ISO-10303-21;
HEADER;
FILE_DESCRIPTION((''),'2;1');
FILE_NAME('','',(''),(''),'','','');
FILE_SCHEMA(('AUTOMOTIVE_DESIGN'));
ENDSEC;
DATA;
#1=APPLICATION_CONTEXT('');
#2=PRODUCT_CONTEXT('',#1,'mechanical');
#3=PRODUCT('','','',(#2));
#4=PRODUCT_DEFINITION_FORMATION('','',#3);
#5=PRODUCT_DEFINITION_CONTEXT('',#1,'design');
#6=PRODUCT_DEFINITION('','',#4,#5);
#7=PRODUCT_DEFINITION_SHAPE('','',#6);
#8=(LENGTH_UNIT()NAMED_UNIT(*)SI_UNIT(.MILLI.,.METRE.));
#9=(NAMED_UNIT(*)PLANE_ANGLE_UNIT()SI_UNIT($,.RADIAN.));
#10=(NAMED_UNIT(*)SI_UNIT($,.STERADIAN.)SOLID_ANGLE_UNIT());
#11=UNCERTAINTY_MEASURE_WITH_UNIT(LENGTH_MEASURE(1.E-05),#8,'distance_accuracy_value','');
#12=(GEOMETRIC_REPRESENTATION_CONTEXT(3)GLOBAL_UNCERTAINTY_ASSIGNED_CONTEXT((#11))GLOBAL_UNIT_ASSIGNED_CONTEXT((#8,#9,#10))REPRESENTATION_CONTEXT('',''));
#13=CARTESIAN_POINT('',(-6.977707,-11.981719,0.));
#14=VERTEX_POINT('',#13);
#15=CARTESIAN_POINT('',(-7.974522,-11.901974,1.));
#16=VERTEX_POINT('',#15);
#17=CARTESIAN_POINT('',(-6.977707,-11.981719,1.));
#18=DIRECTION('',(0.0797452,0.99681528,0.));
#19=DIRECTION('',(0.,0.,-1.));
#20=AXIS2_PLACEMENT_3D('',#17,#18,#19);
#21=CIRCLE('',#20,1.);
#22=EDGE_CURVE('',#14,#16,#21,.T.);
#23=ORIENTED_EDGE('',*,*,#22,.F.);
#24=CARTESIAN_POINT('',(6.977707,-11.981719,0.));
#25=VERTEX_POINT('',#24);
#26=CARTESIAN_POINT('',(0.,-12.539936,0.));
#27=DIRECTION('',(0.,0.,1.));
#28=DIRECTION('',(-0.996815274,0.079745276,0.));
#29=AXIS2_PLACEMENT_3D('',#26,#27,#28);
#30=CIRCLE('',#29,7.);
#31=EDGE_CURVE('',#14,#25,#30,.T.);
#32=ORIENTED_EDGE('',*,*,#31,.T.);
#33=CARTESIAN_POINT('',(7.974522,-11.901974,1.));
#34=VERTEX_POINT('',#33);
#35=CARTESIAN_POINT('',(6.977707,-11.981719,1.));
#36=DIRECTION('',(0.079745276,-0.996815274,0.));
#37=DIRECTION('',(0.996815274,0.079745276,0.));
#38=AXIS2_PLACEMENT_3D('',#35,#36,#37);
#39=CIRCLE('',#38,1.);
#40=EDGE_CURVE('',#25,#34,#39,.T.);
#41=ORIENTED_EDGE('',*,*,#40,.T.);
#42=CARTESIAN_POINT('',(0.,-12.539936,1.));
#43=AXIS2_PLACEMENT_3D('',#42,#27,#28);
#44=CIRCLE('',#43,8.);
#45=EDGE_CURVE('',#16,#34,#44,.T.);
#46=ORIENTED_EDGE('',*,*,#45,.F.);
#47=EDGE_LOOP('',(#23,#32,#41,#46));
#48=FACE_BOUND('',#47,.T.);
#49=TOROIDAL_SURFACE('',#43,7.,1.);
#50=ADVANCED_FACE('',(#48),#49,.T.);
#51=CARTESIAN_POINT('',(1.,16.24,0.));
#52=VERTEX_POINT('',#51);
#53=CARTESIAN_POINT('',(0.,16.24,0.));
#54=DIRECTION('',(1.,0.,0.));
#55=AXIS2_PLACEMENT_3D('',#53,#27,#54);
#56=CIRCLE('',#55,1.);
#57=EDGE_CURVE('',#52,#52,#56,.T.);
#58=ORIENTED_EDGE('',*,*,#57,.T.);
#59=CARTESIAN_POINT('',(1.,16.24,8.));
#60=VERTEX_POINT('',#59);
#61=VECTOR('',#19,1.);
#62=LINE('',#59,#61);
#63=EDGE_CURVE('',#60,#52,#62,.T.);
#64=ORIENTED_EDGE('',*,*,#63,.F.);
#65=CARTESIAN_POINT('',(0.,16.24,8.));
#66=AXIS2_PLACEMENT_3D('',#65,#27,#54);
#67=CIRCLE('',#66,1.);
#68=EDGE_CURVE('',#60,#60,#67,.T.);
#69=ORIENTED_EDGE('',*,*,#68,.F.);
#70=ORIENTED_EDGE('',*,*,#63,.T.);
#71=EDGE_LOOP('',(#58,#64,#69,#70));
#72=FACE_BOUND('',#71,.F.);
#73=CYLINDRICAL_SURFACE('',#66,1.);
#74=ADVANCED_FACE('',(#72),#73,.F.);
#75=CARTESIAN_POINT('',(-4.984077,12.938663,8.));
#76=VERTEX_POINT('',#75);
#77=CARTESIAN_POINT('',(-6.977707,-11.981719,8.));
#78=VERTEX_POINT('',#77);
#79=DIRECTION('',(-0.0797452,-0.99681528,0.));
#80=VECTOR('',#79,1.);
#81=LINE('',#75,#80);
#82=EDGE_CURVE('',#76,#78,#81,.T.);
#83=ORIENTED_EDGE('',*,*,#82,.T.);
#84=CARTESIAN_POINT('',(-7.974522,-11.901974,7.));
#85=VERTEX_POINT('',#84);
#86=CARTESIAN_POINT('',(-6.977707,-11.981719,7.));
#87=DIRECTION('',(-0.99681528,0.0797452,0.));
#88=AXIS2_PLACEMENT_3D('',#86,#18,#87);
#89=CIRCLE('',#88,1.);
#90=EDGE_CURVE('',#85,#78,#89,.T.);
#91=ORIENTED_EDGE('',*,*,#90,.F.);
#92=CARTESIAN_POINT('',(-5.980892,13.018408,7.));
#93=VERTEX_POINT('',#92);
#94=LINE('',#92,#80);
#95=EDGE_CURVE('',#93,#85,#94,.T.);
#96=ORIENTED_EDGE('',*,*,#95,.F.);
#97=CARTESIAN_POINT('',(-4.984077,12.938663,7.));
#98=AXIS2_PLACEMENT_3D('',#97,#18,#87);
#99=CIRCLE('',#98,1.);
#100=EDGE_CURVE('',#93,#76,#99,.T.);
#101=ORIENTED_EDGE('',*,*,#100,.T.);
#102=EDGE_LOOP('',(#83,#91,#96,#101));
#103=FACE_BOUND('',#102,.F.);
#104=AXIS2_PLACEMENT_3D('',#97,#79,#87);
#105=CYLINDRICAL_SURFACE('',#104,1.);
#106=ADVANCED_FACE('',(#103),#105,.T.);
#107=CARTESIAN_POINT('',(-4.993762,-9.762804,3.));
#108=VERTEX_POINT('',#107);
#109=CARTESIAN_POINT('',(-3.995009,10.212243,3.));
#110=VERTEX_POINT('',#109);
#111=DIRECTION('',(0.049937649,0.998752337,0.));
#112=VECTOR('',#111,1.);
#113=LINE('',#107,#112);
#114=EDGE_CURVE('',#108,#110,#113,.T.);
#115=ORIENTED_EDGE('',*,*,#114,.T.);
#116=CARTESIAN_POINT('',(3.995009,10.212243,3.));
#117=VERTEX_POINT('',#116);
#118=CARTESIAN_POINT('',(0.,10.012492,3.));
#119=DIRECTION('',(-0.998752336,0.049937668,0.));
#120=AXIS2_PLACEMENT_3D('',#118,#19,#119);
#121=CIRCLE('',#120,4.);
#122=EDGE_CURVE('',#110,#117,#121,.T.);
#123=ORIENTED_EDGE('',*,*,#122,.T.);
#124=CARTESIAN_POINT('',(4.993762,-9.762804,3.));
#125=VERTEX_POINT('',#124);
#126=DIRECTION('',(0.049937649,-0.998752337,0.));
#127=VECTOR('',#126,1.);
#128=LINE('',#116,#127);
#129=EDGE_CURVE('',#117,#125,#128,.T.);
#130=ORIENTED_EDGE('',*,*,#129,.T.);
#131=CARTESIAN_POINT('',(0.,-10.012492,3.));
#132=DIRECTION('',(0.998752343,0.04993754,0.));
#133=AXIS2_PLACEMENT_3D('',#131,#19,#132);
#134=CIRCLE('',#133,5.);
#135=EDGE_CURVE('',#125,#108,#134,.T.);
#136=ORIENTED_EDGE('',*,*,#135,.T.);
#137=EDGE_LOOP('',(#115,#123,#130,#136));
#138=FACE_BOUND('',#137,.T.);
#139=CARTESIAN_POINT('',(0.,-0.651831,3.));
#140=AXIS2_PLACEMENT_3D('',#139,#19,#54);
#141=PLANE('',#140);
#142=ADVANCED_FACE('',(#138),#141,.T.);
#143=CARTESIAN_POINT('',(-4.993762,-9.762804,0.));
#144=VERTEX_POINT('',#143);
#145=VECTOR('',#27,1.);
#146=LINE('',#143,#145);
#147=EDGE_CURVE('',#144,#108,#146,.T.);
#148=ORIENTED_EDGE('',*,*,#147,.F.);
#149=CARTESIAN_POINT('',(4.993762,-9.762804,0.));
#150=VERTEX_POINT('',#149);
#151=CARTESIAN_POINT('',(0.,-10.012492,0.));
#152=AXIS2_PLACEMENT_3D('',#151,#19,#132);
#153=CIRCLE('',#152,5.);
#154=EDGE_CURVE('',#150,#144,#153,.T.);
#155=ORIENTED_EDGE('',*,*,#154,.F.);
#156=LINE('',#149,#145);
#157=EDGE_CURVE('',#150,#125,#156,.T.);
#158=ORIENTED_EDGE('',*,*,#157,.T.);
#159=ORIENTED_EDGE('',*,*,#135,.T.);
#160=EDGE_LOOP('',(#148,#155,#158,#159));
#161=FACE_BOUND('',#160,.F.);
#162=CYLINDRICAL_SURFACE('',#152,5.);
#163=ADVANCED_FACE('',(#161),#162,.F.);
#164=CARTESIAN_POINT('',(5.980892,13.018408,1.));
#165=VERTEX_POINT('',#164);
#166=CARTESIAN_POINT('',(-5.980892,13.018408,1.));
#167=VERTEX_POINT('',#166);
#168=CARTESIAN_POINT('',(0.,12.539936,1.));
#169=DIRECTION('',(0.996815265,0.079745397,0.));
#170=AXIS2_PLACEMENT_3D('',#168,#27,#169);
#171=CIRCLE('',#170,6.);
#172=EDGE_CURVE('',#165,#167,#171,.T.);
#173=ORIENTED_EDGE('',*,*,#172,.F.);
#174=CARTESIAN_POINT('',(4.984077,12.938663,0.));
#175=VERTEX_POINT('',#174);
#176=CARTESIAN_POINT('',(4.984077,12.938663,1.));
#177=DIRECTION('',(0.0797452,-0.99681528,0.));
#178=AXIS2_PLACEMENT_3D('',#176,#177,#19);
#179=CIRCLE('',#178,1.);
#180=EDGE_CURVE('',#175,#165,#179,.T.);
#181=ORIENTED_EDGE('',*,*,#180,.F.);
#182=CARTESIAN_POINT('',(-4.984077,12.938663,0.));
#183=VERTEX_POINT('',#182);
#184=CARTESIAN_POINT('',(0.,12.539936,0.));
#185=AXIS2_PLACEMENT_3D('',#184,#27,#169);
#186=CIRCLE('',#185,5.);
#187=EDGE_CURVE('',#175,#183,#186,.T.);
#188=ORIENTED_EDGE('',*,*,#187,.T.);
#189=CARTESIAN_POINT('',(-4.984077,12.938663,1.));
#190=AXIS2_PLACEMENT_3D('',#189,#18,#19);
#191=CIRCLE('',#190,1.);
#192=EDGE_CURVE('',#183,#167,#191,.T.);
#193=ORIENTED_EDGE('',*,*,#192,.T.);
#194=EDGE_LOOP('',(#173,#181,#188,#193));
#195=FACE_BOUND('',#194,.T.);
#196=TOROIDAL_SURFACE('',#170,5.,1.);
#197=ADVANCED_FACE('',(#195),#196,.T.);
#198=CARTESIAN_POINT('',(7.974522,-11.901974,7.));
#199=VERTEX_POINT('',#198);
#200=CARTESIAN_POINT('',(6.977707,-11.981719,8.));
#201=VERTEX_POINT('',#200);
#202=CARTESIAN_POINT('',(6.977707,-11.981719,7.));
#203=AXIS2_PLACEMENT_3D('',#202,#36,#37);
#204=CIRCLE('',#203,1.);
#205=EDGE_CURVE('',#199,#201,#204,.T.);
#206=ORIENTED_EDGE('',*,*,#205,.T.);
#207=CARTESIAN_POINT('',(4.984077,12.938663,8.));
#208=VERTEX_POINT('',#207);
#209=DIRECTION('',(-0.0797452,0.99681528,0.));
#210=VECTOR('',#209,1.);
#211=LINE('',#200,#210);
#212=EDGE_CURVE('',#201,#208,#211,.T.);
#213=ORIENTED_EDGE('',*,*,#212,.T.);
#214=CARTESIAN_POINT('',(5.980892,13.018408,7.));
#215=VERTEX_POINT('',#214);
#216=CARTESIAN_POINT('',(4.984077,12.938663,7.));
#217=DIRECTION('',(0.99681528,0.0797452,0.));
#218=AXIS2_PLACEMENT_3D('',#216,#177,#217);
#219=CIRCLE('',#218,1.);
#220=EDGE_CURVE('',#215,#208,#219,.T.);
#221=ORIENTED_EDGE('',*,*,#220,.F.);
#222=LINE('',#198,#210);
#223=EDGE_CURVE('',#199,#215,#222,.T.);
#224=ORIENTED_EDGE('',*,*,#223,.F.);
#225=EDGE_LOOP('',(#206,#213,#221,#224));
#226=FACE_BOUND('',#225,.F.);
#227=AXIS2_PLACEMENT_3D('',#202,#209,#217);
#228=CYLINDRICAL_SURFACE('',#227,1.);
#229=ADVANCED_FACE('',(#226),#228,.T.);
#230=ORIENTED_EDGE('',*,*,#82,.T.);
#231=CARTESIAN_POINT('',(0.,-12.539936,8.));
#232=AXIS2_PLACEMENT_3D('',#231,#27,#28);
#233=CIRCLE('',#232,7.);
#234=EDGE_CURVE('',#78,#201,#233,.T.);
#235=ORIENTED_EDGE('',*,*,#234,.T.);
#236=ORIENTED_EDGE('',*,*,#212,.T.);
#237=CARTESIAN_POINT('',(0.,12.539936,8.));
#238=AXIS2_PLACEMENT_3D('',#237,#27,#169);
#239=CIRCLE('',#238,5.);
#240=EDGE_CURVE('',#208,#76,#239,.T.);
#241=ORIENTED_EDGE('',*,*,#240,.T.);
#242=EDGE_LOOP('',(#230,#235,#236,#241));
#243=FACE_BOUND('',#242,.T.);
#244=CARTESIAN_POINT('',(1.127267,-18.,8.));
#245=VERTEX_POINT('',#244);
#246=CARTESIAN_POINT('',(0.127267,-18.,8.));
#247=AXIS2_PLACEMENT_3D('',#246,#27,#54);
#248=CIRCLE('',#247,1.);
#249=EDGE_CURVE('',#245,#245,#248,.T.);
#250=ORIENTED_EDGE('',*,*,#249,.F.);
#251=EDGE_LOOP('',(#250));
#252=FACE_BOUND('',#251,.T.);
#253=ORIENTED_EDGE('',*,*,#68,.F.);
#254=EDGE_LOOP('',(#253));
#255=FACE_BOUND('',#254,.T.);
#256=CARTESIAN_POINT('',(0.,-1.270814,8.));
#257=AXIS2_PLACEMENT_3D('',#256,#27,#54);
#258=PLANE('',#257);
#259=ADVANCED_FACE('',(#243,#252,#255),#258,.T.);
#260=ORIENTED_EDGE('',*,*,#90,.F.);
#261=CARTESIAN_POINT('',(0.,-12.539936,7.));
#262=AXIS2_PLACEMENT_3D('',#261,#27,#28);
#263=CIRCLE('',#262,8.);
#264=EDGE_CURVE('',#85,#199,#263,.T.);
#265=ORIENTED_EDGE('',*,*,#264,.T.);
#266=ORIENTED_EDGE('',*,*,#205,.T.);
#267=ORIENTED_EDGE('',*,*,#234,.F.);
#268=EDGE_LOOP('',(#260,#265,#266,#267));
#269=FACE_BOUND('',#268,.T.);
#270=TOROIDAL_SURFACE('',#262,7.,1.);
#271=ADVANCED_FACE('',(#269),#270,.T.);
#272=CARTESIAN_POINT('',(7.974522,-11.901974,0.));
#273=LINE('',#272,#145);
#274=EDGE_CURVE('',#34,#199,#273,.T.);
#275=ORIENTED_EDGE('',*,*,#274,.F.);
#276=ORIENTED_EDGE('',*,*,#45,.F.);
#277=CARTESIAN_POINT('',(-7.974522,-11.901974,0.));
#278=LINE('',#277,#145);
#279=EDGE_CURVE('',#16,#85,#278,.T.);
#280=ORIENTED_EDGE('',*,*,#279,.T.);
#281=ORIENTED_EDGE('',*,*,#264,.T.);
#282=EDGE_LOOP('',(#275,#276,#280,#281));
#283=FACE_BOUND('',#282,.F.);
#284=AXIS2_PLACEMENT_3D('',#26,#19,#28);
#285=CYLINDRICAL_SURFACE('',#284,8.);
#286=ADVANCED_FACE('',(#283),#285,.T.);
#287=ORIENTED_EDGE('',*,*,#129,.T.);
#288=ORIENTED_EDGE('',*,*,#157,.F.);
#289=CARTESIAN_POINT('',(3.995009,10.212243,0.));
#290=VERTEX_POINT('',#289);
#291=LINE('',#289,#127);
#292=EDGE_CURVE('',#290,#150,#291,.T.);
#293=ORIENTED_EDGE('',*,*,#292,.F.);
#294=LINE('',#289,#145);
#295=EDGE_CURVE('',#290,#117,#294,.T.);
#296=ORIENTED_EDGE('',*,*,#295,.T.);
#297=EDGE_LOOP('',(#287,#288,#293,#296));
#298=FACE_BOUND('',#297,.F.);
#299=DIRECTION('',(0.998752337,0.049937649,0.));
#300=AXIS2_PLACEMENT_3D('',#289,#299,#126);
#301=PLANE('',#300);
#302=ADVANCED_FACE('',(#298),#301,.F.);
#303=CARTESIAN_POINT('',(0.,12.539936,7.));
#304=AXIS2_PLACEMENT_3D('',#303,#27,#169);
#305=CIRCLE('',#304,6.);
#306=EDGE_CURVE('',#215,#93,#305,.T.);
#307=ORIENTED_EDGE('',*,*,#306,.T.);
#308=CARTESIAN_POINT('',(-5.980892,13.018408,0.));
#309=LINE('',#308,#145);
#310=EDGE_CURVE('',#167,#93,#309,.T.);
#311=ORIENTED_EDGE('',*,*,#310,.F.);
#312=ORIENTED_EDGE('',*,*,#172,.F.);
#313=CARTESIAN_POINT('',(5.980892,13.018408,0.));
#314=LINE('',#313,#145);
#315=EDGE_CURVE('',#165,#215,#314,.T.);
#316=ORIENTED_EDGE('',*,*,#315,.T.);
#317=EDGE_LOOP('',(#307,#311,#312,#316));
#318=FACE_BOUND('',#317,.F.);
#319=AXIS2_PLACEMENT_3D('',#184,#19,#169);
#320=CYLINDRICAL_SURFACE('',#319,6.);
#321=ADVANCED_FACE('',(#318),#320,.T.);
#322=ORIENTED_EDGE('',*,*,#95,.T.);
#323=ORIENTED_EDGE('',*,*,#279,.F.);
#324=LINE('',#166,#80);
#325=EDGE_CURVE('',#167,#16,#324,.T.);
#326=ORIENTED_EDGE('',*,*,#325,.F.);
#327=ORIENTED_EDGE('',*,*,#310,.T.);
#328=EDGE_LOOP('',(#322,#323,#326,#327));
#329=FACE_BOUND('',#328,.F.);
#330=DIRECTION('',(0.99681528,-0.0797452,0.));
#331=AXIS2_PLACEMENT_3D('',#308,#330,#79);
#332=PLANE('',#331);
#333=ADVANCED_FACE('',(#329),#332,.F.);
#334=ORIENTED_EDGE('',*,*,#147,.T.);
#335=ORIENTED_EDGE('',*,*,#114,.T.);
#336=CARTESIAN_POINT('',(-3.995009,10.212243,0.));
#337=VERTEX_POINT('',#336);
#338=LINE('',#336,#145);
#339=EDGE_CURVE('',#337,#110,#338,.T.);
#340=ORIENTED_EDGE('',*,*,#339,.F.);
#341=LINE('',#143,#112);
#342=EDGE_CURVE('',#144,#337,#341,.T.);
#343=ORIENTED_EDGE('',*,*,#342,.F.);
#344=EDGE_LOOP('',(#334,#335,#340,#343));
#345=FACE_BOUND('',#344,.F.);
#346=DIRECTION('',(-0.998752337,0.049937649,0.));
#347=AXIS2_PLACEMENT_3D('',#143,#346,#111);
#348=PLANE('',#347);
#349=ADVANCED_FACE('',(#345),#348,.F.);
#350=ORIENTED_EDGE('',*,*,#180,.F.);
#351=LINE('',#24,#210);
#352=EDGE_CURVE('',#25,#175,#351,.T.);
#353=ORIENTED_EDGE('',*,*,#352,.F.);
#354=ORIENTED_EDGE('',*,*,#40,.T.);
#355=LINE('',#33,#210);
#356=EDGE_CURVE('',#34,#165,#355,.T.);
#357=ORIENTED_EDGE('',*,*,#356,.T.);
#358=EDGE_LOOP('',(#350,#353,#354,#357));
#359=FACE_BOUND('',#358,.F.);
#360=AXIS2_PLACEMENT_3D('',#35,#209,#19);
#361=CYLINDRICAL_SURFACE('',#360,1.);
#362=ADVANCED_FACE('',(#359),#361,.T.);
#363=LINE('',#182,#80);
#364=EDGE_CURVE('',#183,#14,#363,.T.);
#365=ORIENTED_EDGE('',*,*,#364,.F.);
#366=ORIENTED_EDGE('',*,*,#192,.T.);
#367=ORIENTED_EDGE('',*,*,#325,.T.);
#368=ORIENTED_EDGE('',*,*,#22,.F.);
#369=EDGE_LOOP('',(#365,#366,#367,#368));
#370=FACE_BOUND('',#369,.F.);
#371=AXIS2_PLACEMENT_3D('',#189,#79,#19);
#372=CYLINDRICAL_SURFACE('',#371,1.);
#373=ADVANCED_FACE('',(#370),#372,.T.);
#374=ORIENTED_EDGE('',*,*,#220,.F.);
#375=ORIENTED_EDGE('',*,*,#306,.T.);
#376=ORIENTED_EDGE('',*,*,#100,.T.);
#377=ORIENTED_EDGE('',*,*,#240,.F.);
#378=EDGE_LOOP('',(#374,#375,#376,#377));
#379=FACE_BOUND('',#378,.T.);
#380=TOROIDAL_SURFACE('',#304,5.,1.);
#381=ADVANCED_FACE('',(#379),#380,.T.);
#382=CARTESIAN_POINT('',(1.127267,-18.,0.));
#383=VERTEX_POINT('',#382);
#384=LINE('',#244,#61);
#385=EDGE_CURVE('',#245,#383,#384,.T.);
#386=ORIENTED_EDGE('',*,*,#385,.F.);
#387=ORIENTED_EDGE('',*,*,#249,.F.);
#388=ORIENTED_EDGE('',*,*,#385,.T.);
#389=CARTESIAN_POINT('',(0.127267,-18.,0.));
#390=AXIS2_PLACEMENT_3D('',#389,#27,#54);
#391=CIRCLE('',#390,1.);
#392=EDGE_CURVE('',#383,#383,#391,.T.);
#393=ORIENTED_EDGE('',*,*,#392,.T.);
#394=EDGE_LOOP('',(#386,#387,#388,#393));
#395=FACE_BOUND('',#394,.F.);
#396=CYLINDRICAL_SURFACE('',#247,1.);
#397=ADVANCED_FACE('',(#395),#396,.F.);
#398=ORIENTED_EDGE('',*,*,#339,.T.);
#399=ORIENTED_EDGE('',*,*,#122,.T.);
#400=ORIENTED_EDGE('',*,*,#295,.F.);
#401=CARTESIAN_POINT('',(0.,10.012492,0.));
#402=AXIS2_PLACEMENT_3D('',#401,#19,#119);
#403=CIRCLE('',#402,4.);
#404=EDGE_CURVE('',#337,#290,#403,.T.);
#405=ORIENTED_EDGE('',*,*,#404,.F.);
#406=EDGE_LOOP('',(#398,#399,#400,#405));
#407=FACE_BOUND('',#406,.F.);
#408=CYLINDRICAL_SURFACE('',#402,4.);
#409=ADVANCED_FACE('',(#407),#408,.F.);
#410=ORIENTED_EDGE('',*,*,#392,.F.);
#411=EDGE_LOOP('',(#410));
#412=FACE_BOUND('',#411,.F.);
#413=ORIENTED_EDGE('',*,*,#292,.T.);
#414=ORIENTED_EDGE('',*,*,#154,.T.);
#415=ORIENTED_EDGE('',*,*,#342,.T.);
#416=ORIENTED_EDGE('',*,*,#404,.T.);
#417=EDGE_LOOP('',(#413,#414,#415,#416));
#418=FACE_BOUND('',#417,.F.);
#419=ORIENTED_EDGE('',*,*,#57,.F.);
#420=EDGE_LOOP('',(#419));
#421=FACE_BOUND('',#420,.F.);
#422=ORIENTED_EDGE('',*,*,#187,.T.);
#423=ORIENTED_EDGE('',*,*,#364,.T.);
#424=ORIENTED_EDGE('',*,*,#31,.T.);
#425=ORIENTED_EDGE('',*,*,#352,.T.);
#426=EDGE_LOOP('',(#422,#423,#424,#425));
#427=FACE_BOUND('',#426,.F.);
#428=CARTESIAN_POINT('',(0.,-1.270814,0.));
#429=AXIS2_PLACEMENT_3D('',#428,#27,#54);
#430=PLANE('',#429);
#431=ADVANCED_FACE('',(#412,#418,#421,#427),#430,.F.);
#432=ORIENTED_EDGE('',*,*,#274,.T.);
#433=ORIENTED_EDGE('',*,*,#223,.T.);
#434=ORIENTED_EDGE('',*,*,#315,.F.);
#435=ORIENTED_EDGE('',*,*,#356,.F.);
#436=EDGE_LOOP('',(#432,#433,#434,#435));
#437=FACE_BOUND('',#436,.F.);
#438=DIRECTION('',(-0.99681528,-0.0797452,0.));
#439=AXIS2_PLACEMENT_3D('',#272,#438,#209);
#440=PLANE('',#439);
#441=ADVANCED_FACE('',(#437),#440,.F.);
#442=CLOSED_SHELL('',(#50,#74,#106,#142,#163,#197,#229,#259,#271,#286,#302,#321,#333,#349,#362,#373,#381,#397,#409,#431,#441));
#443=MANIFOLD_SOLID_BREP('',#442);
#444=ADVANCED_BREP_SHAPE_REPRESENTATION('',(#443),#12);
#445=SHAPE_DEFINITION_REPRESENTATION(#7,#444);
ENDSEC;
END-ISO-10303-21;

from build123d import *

# Parameters (mm, degrees)
PAD_DEPTH       = 8
SKETCH001_R     = 1
POCKET_DEPTH    = 8.001
POCKET001_DEPTH = 3
FILLET_R        = 1
FILLET001_R     = 1


with BuildPart() as part:
    # Sketch → Pad (new body)
    with BuildSketch(Plane.XY):
        with BuildLine():
            ThreePointArc((5.980892, 13.018408), (0, 18.539936), (-5.980892, 13.018408))
            Line((-5.980892, 13.018408), (-7.974522, -11.901974))
            ThreePointArc((-7.974522, -11.901974), (0, -20.539936), (7.974522, -11.901974))
            Line((7.974522, -11.901974), (5.980892, 13.018408))
        make_face()
    extrude(amount=PAD_DEPTH)

    # Sketch001 (on Face6 of Pad) → Pocket (cut, through all)
    with BuildSketch(Plane.XY.offset(8)):
        with Locations((0, 16.24)):
            Circle(SKETCH001_R)
        with Locations((0.127267, -18)):
            Circle(SKETCH001_R)
    extrude(amount=-POCKET_DEPTH, mode=Mode.SUBTRACT)

    # Sketch002 (on Face4 of Pocket) → Pocket001 (cut)
    with BuildSketch(Plane(origin=(0, 0, 0), x_dir=(1, 0, 0), z_dir=(0, 0, -1))):
        with BuildLine():
            ThreePointArc((4.993762, 9.762804), (0, 15.012492), (-4.993762, 9.762804))
            Line((-4.993762, 9.762804), (-3.995009, -10.212243))
            ThreePointArc((-3.995009, -10.212243), (0, -14.012492), (3.995009, -10.212243))
            Line((3.995009, -10.212243), (4.993762, 9.762804))
        make_face()
    extrude(amount=-POCKET001_DEPTH, mode=Mode.SUBTRACT)

    # Fillet
    fillet_edges = [part.edges().sort_by_distance(p)[0] for p in [
        (-6.977707, 0.558217, 8),
    ]]
    fillet(fillet_edges, radius=FILLET_R)

    # Fillet001
    fillet001_edges = [part.edges().sort_by_distance(p)[0] for p in [
        (-6.977707, 0.558217, 0),
    ]]
    fillet(fillet001_edges, radius=FILLET001_R)


solid = part.part
